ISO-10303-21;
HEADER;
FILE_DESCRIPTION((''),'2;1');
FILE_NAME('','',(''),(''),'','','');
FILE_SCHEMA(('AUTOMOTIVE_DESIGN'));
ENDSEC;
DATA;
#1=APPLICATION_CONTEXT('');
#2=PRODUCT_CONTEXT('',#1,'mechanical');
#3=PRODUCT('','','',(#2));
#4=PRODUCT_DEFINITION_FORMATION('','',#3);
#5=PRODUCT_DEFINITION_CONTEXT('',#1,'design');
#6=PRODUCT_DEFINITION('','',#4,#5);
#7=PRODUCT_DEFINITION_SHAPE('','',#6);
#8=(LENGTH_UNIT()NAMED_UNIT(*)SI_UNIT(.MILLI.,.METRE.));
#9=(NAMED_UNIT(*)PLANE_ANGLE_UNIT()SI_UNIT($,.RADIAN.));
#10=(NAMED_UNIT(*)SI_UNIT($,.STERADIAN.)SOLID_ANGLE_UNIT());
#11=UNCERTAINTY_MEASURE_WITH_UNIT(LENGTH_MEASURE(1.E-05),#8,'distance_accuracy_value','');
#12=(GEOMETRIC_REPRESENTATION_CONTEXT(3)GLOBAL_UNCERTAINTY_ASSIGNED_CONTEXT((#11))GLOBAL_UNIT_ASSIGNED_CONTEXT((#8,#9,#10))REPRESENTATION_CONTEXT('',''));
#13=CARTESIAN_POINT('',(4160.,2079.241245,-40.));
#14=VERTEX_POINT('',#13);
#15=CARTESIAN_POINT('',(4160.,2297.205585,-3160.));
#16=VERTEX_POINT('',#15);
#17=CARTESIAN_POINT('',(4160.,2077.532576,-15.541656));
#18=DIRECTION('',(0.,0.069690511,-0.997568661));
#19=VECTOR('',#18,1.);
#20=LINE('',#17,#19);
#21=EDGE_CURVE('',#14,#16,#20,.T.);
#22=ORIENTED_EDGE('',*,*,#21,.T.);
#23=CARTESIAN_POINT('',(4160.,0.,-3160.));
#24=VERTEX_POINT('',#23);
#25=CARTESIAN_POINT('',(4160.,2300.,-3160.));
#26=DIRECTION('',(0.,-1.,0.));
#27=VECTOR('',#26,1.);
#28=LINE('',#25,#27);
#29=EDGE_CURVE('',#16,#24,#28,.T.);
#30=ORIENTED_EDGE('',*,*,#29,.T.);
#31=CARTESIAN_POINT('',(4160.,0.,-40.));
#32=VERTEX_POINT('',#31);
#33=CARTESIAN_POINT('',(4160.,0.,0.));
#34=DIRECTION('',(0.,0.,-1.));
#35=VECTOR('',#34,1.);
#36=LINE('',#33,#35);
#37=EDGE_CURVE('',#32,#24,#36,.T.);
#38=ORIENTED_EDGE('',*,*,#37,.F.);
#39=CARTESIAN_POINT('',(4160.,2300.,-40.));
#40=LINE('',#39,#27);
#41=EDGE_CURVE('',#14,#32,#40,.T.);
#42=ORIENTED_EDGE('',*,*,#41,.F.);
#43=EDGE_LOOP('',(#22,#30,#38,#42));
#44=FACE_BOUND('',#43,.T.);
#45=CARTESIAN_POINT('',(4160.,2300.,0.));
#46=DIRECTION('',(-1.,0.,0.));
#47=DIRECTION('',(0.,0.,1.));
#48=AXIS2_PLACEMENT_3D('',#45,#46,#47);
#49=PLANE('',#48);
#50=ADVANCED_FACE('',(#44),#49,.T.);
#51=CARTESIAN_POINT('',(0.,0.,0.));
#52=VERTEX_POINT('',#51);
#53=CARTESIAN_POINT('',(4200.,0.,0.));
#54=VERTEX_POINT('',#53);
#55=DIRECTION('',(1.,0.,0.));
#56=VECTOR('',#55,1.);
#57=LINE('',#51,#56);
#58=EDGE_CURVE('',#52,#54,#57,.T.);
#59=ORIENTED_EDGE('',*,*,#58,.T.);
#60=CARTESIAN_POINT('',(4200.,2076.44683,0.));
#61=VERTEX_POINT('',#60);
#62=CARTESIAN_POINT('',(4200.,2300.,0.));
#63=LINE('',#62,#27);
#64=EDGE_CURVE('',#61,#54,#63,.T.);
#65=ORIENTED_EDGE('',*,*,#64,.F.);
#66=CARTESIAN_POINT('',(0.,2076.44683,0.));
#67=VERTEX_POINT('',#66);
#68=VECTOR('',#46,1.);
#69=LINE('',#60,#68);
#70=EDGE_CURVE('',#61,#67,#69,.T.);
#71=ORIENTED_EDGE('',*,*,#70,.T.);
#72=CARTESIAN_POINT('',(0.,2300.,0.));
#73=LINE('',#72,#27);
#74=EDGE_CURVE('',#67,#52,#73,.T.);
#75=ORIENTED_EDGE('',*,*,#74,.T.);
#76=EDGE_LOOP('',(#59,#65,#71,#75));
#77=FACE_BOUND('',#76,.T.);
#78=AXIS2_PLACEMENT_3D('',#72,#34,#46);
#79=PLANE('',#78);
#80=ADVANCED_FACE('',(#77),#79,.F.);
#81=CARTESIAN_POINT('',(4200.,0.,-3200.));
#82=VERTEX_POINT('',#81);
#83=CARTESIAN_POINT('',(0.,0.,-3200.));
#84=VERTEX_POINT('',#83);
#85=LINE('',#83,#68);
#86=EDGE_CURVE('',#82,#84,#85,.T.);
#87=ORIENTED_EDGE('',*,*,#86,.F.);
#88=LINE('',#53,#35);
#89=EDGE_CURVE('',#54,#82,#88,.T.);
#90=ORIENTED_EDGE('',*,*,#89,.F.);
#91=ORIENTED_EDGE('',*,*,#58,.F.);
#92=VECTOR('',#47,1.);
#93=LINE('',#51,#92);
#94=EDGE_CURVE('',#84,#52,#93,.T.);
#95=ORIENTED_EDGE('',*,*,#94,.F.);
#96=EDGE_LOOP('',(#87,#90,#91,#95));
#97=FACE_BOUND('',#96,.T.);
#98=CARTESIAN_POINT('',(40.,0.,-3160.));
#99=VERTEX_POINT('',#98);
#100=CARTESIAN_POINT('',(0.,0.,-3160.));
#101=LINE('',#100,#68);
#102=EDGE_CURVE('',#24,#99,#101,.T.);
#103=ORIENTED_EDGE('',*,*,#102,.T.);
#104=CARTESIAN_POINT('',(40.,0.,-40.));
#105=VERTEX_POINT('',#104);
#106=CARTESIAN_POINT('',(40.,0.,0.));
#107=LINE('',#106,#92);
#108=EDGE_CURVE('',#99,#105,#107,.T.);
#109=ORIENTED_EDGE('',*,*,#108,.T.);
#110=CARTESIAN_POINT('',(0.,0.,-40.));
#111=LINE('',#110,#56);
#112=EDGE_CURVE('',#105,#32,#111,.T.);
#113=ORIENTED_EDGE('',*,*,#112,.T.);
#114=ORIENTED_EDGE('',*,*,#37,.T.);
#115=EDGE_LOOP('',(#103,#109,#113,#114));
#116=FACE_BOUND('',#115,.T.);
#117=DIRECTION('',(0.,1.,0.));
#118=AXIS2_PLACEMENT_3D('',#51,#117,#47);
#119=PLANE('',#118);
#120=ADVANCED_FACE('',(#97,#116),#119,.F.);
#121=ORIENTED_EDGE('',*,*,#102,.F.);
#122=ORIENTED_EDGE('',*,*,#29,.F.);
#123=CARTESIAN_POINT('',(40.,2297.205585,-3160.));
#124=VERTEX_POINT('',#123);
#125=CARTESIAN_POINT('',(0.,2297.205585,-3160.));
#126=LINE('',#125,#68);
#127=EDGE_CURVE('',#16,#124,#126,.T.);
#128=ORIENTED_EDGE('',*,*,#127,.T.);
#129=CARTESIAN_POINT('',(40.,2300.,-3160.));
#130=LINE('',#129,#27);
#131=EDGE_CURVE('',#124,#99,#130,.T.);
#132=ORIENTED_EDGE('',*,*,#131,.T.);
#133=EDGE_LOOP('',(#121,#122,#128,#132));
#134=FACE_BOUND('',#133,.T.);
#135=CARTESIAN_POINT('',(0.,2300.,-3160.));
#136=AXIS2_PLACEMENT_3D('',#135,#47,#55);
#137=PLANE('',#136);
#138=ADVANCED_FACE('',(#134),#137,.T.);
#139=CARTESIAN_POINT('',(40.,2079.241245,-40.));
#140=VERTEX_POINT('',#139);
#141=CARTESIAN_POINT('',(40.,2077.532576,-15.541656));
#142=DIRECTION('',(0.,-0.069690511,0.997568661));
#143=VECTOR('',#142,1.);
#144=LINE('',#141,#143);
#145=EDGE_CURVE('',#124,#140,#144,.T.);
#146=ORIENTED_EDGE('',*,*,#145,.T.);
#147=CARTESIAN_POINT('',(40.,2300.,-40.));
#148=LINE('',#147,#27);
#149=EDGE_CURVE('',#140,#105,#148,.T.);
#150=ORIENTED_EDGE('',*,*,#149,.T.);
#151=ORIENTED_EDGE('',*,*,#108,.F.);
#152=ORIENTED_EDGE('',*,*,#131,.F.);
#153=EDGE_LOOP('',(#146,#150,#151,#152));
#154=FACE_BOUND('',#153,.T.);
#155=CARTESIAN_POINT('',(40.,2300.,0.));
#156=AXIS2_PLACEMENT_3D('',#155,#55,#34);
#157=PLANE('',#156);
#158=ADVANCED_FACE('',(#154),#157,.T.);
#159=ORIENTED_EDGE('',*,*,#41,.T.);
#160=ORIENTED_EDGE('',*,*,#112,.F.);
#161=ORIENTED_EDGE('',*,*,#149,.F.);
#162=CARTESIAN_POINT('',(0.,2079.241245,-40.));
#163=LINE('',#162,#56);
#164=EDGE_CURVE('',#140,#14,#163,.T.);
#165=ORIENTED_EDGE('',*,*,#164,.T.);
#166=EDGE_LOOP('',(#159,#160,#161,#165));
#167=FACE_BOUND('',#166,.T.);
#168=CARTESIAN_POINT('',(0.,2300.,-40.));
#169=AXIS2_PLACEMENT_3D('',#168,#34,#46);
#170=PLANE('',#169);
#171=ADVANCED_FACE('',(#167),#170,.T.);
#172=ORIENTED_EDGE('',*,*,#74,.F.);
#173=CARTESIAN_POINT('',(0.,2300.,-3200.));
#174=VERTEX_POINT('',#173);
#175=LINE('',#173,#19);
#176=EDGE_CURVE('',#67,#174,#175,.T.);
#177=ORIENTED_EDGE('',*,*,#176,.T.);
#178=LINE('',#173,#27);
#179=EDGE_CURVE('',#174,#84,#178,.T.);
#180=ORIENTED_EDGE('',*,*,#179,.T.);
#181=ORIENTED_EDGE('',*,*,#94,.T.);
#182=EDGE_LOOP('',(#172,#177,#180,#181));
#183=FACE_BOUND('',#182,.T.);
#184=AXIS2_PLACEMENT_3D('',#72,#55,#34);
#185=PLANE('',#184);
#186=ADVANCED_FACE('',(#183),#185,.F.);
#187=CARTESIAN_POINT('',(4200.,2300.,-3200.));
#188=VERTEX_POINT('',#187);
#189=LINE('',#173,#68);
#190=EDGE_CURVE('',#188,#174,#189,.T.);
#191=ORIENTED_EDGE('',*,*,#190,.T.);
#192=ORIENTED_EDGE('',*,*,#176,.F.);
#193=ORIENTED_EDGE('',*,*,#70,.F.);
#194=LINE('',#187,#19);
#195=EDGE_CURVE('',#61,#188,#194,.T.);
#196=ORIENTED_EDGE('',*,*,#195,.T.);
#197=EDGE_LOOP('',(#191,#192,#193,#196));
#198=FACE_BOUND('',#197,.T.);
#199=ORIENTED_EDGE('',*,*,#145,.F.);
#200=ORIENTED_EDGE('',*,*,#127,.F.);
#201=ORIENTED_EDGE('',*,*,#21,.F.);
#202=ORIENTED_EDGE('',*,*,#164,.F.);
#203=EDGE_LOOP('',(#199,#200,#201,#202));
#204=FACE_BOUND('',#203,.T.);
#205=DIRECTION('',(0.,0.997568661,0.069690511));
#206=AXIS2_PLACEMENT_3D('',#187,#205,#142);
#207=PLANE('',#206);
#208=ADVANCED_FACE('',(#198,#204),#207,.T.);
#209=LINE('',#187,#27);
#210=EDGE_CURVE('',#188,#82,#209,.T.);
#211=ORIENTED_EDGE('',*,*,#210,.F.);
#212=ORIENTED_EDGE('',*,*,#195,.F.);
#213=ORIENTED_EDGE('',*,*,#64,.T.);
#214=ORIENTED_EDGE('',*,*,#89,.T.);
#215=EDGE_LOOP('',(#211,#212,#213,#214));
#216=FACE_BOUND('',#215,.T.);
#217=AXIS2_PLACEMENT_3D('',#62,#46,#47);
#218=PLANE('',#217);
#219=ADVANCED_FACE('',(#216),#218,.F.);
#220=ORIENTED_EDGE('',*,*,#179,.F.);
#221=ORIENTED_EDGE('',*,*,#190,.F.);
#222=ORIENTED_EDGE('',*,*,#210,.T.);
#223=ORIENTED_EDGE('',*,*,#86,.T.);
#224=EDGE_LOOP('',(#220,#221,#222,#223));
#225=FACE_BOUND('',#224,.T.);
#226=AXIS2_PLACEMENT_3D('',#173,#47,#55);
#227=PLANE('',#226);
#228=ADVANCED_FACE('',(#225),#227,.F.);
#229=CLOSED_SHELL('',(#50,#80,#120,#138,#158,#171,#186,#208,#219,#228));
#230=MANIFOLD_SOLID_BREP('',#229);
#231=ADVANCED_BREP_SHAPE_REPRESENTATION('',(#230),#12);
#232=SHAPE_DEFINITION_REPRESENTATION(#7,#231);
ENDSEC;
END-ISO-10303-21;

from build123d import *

# Parameters (mm, degrees)
SKETCH_1_W          = 4200
SKETCH_1_H          = 3200
SKETCH_1_W_2        = 4120
SKETCH_1_H_2        = 3120
EXTRUDE_1_DEPTH     = 2300
SKETCH_2_OUTSIDE_W  = 4353.868
SKETCH_2_OUTSIDE_H  = 3453.868
CUT_EXTRUDE_1_DEPTH = 4201


with BuildPart() as part:
    # Эскиз1 → Вытянуть-Тонкостенный1 (new body)
    with BuildSketch(Plane(origin=(0, 0, 0), x_dir=(1, 0, 0), z_dir=(0, 1, 0))):
        with Locations((2100, 1600)):
            Rectangle(SKETCH_1_W, SKETCH_1_H)
        with Locations((2100, 1600)):
            Rectangle(SKETCH_1_W_2, SKETCH_1_H_2, mode=Mode.SUBTRACT)
    extrude(amount=EXTRUDE_1_DEPTH)

    # Эскиз2 outside → Вырез-Вытянуть1 (cut, through all)
    with BuildSketch(Plane.ZY):
        with Locations((-1600, 1150)):
            Rectangle(SKETCH_2_OUTSIDE_W, SKETCH_2_OUTSIDE_H)
        Polygon((-3200, 2300), (0, 2076.446830349), (0, 0), (-3200, 0), align=None, mode=Mode.SUBTRACT)
    extrude(amount=-CUT_EXTRUDE_1_DEPTH, mode=Mode.SUBTRACT)


solid = part.part
